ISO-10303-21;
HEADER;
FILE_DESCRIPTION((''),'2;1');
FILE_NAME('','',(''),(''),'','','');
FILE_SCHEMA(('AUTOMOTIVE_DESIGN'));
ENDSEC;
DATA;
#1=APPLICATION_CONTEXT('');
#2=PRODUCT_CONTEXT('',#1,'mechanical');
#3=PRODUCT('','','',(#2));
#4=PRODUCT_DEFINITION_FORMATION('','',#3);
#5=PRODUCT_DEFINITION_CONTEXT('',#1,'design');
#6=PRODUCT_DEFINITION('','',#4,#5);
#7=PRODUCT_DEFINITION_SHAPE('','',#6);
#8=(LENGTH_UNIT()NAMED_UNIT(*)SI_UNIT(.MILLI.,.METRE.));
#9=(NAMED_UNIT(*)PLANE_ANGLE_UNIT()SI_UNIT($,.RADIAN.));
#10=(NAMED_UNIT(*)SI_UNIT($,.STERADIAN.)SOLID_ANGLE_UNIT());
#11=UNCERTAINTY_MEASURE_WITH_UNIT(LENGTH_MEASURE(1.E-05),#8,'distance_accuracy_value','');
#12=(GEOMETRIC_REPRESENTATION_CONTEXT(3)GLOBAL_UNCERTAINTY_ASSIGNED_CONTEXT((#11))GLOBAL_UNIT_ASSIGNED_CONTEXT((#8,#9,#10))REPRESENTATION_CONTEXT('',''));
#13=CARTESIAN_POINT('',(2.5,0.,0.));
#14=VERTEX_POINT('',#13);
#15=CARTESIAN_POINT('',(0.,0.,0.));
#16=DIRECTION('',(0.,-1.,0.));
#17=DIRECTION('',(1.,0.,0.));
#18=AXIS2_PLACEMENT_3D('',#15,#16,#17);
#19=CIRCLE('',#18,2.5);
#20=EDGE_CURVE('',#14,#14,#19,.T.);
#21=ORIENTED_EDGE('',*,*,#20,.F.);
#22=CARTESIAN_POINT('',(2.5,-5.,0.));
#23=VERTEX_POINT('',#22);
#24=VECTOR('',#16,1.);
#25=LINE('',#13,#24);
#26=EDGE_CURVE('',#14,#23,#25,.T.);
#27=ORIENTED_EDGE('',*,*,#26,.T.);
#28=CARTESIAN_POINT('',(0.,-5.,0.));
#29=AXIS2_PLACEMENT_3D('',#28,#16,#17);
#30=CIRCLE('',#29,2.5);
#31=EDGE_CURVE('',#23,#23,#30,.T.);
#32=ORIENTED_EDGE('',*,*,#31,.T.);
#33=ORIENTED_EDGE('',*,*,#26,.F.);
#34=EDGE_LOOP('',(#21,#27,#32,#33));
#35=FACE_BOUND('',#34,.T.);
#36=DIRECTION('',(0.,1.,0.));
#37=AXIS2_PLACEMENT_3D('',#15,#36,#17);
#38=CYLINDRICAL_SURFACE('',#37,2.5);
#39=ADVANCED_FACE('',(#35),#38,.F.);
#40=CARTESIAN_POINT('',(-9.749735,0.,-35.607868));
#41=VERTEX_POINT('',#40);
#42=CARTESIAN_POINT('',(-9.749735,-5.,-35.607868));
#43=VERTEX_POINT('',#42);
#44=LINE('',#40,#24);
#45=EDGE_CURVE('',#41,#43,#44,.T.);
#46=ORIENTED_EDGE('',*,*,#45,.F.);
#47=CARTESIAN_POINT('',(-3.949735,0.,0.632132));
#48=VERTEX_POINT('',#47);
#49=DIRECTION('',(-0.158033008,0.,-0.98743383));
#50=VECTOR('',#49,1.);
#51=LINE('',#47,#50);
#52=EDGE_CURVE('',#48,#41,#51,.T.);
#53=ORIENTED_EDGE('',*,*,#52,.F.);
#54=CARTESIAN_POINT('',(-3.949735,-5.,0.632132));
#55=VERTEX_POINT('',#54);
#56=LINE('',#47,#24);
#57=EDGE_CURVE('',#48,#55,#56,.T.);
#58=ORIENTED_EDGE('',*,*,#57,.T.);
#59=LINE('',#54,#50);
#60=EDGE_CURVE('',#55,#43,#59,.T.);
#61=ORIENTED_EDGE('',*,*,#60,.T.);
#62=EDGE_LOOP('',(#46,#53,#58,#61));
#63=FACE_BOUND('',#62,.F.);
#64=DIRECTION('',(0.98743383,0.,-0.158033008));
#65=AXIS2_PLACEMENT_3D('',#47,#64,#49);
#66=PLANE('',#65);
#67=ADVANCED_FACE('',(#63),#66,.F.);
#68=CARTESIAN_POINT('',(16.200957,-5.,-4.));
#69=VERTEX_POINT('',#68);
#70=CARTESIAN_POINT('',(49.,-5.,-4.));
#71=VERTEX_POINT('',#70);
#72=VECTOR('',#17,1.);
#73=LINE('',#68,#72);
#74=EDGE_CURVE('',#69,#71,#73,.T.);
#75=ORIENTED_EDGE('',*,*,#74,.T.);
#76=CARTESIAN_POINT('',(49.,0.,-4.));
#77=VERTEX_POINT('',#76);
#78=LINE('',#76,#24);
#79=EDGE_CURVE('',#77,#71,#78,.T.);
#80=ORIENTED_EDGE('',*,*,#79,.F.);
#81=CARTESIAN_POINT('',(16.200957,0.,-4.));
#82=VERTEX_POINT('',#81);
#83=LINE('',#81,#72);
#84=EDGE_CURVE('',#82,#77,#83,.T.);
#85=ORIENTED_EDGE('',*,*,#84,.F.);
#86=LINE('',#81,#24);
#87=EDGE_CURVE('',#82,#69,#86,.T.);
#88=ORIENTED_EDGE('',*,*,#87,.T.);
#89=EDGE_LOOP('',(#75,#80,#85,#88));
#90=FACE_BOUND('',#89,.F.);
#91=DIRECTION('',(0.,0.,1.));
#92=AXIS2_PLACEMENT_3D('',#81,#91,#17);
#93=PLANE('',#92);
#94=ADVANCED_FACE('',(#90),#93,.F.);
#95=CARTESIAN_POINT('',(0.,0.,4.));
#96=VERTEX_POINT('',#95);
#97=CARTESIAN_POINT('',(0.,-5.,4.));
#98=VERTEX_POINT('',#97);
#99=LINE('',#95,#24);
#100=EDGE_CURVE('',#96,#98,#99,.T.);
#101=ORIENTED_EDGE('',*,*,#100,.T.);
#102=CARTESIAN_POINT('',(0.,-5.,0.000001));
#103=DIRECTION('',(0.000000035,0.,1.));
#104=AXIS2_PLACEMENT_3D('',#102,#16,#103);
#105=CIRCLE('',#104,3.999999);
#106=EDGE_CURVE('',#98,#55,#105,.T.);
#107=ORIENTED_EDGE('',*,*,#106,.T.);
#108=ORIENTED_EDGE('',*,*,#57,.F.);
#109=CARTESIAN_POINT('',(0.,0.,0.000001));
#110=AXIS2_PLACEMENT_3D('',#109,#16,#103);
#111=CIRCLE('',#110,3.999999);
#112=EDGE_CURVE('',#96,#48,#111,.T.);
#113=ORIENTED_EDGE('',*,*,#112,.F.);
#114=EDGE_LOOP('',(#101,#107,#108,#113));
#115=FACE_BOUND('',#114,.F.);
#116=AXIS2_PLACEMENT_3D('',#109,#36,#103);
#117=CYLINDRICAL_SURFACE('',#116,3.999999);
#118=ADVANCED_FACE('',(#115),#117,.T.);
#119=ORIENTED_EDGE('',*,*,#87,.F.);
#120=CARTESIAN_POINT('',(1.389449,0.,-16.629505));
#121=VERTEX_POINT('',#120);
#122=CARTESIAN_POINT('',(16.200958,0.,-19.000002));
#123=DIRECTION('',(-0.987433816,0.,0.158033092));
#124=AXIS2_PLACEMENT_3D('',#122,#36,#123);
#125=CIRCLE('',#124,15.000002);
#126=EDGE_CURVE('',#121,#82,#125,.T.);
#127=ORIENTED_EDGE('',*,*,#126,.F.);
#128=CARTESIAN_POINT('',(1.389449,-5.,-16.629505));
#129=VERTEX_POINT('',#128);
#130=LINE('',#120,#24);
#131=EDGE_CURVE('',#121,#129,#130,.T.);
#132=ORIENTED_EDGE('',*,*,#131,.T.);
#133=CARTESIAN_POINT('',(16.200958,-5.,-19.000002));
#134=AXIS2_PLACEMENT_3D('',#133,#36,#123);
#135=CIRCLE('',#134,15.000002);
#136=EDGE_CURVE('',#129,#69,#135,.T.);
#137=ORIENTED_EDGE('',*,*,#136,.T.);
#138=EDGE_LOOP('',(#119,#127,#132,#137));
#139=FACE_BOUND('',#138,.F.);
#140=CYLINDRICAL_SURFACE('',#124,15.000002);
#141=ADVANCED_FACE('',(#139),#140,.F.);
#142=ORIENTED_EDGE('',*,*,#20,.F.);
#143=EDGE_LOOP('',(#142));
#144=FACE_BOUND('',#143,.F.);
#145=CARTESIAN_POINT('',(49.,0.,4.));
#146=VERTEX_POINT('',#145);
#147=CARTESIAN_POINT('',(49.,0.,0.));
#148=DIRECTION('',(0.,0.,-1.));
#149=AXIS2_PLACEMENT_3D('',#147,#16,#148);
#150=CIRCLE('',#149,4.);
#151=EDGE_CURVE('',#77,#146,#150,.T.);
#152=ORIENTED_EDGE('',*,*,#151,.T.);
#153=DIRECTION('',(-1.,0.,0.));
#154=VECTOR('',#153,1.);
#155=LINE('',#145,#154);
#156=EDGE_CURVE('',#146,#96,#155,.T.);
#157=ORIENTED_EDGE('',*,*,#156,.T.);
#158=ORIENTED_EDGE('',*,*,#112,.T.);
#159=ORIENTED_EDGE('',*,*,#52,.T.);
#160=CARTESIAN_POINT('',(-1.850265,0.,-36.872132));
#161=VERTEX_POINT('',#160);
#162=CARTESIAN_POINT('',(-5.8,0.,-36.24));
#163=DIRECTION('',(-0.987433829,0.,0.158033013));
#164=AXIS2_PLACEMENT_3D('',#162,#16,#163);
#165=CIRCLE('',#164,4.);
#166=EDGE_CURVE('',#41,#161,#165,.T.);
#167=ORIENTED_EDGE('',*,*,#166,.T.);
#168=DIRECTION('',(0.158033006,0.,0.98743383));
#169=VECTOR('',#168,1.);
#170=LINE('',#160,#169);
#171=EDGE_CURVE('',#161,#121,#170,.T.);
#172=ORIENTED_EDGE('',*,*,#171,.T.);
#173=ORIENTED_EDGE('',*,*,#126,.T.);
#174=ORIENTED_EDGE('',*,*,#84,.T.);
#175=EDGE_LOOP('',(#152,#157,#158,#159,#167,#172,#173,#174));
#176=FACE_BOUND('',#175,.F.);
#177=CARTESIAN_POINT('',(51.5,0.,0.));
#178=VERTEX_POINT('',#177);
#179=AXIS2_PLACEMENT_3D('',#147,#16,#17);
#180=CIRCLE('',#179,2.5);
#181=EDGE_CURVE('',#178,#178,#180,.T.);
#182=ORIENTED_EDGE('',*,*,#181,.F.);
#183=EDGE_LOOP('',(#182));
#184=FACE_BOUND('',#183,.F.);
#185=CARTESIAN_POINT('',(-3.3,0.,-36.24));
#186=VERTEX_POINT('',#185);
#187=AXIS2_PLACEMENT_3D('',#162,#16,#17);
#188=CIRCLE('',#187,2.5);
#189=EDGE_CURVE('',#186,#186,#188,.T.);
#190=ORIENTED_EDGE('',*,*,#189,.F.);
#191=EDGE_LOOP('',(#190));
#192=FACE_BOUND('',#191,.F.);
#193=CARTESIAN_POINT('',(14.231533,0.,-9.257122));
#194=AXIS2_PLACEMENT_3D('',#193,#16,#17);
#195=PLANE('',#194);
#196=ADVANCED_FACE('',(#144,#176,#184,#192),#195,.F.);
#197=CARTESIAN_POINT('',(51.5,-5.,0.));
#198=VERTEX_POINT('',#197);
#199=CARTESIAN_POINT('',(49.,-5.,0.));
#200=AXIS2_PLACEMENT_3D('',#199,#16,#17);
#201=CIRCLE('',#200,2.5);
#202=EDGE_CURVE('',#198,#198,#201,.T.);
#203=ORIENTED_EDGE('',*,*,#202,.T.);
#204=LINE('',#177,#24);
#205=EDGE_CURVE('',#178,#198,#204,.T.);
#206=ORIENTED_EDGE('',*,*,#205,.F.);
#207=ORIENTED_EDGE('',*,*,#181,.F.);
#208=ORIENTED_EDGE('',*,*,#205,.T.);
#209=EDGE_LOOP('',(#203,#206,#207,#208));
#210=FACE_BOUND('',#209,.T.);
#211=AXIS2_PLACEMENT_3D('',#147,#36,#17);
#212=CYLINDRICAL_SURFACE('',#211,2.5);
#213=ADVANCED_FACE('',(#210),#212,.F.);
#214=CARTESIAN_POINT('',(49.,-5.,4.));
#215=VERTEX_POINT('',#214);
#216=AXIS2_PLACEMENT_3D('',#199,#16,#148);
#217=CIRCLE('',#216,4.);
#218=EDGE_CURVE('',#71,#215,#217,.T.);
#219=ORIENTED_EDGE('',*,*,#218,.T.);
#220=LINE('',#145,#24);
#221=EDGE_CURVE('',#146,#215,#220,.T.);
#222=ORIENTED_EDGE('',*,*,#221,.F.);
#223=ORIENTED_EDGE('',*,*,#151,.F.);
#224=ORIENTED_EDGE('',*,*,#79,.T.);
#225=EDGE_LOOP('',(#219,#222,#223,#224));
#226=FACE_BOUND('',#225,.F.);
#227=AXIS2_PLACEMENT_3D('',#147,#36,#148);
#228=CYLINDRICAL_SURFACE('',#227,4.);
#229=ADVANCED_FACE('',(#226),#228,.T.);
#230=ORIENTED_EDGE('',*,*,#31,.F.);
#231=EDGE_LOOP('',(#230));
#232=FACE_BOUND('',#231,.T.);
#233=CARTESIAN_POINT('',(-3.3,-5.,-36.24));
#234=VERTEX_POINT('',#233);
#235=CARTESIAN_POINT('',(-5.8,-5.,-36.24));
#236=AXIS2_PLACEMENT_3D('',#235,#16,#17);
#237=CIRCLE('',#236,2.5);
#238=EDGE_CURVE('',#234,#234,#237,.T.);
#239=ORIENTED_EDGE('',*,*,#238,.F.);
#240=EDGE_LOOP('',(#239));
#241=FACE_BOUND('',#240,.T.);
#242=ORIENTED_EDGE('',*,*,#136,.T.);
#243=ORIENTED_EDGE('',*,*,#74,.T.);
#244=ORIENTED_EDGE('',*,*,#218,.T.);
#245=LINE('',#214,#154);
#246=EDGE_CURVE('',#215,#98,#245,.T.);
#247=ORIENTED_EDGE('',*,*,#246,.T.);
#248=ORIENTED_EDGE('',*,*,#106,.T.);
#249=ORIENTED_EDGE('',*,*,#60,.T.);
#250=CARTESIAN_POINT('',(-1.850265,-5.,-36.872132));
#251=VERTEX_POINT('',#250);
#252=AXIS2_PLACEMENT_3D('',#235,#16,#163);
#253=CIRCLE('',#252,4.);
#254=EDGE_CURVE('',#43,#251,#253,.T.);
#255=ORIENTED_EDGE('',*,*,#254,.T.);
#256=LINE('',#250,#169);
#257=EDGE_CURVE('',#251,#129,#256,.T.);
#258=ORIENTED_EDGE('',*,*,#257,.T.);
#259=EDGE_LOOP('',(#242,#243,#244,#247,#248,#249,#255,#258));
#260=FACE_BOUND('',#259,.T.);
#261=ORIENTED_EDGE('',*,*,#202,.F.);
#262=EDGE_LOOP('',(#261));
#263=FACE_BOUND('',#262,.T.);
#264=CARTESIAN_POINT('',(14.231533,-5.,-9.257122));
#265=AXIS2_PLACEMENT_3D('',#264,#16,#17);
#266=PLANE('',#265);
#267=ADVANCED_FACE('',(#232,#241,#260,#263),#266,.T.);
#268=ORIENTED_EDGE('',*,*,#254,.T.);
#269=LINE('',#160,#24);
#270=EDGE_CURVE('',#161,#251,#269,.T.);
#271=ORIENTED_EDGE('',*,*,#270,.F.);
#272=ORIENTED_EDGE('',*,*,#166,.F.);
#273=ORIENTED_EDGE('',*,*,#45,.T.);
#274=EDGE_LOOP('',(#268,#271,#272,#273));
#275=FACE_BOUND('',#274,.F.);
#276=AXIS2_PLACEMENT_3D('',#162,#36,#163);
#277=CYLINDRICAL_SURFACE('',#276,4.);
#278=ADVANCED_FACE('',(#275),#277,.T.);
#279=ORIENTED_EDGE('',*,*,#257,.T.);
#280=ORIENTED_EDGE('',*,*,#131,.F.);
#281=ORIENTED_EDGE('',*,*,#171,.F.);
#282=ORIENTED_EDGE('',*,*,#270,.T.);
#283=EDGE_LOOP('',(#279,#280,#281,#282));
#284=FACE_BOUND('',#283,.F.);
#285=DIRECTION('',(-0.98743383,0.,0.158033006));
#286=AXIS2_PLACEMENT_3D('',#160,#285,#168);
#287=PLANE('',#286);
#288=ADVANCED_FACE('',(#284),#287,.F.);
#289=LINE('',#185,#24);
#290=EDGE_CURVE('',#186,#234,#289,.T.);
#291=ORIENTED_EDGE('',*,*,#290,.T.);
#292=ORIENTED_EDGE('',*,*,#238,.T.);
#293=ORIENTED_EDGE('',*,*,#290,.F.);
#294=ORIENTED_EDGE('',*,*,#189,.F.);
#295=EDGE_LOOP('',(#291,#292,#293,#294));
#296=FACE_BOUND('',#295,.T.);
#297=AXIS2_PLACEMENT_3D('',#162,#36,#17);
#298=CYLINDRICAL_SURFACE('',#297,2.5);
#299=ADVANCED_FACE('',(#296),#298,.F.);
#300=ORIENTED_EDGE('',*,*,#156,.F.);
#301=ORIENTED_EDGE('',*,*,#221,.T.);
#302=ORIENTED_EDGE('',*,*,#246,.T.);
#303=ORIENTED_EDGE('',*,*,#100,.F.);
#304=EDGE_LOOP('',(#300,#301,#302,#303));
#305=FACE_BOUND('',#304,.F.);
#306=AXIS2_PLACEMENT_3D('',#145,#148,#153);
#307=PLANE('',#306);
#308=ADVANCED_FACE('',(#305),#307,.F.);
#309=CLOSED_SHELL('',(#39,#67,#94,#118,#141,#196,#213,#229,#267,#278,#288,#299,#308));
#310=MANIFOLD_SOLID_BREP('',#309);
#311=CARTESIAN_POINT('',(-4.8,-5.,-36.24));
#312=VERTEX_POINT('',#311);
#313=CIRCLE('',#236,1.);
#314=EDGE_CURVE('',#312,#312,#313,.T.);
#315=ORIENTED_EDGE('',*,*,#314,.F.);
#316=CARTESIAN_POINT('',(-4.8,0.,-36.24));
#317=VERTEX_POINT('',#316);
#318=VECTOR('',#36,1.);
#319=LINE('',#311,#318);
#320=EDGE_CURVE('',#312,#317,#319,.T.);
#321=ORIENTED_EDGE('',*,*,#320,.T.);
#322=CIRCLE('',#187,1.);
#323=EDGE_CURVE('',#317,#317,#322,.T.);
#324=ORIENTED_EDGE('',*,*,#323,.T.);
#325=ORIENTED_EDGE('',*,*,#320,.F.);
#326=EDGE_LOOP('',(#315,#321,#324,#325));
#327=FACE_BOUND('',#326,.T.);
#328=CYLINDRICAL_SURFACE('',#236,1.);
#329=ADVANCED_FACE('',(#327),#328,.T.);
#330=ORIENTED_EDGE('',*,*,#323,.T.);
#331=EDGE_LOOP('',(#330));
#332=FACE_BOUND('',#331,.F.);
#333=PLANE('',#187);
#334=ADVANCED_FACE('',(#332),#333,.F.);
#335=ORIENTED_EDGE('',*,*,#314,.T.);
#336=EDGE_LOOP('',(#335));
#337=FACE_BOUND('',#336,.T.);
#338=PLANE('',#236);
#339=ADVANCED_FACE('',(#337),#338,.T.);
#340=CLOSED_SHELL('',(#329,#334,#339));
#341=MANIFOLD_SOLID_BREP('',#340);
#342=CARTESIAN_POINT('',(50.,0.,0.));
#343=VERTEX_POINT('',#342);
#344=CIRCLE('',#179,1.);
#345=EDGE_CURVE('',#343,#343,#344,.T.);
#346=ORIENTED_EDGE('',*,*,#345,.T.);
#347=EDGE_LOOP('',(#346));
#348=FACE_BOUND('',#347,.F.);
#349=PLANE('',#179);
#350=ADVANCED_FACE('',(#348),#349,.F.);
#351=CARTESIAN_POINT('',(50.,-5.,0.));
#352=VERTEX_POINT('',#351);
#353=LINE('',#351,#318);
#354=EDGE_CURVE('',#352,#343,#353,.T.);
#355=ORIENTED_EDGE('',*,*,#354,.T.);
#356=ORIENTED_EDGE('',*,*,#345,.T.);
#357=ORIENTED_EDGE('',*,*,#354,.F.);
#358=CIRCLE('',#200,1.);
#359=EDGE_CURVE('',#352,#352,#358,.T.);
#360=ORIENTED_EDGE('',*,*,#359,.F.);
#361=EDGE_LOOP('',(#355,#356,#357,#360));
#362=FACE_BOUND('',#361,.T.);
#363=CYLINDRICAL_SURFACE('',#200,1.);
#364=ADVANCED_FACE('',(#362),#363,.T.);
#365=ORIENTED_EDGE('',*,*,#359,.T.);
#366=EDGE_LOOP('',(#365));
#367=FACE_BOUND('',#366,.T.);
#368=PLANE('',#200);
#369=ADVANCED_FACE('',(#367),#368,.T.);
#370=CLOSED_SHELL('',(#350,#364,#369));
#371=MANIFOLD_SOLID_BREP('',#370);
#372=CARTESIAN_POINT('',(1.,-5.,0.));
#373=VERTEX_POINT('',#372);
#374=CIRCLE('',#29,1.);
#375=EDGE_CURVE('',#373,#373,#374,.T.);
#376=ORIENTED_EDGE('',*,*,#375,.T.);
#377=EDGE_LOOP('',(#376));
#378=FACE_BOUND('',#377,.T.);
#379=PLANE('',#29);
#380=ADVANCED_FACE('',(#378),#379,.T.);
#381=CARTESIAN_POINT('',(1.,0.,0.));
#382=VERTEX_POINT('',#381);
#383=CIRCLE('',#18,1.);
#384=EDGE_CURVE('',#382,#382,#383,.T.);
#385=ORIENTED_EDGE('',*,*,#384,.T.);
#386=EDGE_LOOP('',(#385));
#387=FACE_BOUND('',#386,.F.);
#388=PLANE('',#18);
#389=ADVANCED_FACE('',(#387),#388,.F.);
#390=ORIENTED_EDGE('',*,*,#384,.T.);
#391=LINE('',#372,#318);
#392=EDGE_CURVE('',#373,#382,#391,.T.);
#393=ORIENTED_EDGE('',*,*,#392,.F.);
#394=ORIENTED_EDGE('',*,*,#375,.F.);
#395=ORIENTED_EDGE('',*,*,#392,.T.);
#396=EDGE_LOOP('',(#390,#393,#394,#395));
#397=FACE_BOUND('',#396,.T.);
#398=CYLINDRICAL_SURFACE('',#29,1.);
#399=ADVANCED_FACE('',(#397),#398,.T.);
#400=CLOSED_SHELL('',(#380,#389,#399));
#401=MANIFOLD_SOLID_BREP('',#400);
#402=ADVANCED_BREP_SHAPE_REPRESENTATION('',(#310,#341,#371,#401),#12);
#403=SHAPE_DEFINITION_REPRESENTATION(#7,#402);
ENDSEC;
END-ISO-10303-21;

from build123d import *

# Parameters (mm, degrees)
F0_R     = 2.5
F1_DEPTH = 5
F2_R     = 1
F3_DEPTH = 5


with BuildPart() as f1:
    # F0 (on Front) → F1 (new body)
    with BuildSketch(Plane.XZ):
        with BuildLine():
            Line((49, 4), (0, 4))
            ThreePointArc((0, 4), (-2.59533, 3.043725), (-3.949735, 0.632132))
            Line((-3.949735, 0.632132), (-9.749735, -35.607868))
            ThreePointArc((-9.749735, -35.607868), (-6.432132, -40.189735), (-1.850265, -36.872132))
            Line((-1.850265, -36.872132), (1.389449, -16.629505))
            ThreePointArc((1.389449, -16.629505), (6.468471, -7.58603), (16.200957, -4))
            Line((16.200957, -4), (49, -4))
            ThreePointArc((49, -4), (53, 0), (49, 4))
        make_face()
        with Locations((-5.8, -36.24)):
            Circle(F0_R, mode=Mode.SUBTRACT)
        Circle(F0_R, mode=Mode.SUBTRACT)
        with Locations((49, 0)):
            Circle(F0_R, mode=Mode.SUBTRACT)
    extrude(amount=F1_DEPTH)


with BuildPart() as f3:
    # F2 (on face) → F3 (new body)
    with BuildSketch(Plane.XZ.offset(5)):
        with Locations((-5.8, -36.24)):
            Circle(F2_R)
        Circle(F2_R)
        with Locations((49, 0)):
            Circle(F2_R)
    extrude(amount=-F3_DEPTH)


solid = Compound([f1.part, f3.part])
